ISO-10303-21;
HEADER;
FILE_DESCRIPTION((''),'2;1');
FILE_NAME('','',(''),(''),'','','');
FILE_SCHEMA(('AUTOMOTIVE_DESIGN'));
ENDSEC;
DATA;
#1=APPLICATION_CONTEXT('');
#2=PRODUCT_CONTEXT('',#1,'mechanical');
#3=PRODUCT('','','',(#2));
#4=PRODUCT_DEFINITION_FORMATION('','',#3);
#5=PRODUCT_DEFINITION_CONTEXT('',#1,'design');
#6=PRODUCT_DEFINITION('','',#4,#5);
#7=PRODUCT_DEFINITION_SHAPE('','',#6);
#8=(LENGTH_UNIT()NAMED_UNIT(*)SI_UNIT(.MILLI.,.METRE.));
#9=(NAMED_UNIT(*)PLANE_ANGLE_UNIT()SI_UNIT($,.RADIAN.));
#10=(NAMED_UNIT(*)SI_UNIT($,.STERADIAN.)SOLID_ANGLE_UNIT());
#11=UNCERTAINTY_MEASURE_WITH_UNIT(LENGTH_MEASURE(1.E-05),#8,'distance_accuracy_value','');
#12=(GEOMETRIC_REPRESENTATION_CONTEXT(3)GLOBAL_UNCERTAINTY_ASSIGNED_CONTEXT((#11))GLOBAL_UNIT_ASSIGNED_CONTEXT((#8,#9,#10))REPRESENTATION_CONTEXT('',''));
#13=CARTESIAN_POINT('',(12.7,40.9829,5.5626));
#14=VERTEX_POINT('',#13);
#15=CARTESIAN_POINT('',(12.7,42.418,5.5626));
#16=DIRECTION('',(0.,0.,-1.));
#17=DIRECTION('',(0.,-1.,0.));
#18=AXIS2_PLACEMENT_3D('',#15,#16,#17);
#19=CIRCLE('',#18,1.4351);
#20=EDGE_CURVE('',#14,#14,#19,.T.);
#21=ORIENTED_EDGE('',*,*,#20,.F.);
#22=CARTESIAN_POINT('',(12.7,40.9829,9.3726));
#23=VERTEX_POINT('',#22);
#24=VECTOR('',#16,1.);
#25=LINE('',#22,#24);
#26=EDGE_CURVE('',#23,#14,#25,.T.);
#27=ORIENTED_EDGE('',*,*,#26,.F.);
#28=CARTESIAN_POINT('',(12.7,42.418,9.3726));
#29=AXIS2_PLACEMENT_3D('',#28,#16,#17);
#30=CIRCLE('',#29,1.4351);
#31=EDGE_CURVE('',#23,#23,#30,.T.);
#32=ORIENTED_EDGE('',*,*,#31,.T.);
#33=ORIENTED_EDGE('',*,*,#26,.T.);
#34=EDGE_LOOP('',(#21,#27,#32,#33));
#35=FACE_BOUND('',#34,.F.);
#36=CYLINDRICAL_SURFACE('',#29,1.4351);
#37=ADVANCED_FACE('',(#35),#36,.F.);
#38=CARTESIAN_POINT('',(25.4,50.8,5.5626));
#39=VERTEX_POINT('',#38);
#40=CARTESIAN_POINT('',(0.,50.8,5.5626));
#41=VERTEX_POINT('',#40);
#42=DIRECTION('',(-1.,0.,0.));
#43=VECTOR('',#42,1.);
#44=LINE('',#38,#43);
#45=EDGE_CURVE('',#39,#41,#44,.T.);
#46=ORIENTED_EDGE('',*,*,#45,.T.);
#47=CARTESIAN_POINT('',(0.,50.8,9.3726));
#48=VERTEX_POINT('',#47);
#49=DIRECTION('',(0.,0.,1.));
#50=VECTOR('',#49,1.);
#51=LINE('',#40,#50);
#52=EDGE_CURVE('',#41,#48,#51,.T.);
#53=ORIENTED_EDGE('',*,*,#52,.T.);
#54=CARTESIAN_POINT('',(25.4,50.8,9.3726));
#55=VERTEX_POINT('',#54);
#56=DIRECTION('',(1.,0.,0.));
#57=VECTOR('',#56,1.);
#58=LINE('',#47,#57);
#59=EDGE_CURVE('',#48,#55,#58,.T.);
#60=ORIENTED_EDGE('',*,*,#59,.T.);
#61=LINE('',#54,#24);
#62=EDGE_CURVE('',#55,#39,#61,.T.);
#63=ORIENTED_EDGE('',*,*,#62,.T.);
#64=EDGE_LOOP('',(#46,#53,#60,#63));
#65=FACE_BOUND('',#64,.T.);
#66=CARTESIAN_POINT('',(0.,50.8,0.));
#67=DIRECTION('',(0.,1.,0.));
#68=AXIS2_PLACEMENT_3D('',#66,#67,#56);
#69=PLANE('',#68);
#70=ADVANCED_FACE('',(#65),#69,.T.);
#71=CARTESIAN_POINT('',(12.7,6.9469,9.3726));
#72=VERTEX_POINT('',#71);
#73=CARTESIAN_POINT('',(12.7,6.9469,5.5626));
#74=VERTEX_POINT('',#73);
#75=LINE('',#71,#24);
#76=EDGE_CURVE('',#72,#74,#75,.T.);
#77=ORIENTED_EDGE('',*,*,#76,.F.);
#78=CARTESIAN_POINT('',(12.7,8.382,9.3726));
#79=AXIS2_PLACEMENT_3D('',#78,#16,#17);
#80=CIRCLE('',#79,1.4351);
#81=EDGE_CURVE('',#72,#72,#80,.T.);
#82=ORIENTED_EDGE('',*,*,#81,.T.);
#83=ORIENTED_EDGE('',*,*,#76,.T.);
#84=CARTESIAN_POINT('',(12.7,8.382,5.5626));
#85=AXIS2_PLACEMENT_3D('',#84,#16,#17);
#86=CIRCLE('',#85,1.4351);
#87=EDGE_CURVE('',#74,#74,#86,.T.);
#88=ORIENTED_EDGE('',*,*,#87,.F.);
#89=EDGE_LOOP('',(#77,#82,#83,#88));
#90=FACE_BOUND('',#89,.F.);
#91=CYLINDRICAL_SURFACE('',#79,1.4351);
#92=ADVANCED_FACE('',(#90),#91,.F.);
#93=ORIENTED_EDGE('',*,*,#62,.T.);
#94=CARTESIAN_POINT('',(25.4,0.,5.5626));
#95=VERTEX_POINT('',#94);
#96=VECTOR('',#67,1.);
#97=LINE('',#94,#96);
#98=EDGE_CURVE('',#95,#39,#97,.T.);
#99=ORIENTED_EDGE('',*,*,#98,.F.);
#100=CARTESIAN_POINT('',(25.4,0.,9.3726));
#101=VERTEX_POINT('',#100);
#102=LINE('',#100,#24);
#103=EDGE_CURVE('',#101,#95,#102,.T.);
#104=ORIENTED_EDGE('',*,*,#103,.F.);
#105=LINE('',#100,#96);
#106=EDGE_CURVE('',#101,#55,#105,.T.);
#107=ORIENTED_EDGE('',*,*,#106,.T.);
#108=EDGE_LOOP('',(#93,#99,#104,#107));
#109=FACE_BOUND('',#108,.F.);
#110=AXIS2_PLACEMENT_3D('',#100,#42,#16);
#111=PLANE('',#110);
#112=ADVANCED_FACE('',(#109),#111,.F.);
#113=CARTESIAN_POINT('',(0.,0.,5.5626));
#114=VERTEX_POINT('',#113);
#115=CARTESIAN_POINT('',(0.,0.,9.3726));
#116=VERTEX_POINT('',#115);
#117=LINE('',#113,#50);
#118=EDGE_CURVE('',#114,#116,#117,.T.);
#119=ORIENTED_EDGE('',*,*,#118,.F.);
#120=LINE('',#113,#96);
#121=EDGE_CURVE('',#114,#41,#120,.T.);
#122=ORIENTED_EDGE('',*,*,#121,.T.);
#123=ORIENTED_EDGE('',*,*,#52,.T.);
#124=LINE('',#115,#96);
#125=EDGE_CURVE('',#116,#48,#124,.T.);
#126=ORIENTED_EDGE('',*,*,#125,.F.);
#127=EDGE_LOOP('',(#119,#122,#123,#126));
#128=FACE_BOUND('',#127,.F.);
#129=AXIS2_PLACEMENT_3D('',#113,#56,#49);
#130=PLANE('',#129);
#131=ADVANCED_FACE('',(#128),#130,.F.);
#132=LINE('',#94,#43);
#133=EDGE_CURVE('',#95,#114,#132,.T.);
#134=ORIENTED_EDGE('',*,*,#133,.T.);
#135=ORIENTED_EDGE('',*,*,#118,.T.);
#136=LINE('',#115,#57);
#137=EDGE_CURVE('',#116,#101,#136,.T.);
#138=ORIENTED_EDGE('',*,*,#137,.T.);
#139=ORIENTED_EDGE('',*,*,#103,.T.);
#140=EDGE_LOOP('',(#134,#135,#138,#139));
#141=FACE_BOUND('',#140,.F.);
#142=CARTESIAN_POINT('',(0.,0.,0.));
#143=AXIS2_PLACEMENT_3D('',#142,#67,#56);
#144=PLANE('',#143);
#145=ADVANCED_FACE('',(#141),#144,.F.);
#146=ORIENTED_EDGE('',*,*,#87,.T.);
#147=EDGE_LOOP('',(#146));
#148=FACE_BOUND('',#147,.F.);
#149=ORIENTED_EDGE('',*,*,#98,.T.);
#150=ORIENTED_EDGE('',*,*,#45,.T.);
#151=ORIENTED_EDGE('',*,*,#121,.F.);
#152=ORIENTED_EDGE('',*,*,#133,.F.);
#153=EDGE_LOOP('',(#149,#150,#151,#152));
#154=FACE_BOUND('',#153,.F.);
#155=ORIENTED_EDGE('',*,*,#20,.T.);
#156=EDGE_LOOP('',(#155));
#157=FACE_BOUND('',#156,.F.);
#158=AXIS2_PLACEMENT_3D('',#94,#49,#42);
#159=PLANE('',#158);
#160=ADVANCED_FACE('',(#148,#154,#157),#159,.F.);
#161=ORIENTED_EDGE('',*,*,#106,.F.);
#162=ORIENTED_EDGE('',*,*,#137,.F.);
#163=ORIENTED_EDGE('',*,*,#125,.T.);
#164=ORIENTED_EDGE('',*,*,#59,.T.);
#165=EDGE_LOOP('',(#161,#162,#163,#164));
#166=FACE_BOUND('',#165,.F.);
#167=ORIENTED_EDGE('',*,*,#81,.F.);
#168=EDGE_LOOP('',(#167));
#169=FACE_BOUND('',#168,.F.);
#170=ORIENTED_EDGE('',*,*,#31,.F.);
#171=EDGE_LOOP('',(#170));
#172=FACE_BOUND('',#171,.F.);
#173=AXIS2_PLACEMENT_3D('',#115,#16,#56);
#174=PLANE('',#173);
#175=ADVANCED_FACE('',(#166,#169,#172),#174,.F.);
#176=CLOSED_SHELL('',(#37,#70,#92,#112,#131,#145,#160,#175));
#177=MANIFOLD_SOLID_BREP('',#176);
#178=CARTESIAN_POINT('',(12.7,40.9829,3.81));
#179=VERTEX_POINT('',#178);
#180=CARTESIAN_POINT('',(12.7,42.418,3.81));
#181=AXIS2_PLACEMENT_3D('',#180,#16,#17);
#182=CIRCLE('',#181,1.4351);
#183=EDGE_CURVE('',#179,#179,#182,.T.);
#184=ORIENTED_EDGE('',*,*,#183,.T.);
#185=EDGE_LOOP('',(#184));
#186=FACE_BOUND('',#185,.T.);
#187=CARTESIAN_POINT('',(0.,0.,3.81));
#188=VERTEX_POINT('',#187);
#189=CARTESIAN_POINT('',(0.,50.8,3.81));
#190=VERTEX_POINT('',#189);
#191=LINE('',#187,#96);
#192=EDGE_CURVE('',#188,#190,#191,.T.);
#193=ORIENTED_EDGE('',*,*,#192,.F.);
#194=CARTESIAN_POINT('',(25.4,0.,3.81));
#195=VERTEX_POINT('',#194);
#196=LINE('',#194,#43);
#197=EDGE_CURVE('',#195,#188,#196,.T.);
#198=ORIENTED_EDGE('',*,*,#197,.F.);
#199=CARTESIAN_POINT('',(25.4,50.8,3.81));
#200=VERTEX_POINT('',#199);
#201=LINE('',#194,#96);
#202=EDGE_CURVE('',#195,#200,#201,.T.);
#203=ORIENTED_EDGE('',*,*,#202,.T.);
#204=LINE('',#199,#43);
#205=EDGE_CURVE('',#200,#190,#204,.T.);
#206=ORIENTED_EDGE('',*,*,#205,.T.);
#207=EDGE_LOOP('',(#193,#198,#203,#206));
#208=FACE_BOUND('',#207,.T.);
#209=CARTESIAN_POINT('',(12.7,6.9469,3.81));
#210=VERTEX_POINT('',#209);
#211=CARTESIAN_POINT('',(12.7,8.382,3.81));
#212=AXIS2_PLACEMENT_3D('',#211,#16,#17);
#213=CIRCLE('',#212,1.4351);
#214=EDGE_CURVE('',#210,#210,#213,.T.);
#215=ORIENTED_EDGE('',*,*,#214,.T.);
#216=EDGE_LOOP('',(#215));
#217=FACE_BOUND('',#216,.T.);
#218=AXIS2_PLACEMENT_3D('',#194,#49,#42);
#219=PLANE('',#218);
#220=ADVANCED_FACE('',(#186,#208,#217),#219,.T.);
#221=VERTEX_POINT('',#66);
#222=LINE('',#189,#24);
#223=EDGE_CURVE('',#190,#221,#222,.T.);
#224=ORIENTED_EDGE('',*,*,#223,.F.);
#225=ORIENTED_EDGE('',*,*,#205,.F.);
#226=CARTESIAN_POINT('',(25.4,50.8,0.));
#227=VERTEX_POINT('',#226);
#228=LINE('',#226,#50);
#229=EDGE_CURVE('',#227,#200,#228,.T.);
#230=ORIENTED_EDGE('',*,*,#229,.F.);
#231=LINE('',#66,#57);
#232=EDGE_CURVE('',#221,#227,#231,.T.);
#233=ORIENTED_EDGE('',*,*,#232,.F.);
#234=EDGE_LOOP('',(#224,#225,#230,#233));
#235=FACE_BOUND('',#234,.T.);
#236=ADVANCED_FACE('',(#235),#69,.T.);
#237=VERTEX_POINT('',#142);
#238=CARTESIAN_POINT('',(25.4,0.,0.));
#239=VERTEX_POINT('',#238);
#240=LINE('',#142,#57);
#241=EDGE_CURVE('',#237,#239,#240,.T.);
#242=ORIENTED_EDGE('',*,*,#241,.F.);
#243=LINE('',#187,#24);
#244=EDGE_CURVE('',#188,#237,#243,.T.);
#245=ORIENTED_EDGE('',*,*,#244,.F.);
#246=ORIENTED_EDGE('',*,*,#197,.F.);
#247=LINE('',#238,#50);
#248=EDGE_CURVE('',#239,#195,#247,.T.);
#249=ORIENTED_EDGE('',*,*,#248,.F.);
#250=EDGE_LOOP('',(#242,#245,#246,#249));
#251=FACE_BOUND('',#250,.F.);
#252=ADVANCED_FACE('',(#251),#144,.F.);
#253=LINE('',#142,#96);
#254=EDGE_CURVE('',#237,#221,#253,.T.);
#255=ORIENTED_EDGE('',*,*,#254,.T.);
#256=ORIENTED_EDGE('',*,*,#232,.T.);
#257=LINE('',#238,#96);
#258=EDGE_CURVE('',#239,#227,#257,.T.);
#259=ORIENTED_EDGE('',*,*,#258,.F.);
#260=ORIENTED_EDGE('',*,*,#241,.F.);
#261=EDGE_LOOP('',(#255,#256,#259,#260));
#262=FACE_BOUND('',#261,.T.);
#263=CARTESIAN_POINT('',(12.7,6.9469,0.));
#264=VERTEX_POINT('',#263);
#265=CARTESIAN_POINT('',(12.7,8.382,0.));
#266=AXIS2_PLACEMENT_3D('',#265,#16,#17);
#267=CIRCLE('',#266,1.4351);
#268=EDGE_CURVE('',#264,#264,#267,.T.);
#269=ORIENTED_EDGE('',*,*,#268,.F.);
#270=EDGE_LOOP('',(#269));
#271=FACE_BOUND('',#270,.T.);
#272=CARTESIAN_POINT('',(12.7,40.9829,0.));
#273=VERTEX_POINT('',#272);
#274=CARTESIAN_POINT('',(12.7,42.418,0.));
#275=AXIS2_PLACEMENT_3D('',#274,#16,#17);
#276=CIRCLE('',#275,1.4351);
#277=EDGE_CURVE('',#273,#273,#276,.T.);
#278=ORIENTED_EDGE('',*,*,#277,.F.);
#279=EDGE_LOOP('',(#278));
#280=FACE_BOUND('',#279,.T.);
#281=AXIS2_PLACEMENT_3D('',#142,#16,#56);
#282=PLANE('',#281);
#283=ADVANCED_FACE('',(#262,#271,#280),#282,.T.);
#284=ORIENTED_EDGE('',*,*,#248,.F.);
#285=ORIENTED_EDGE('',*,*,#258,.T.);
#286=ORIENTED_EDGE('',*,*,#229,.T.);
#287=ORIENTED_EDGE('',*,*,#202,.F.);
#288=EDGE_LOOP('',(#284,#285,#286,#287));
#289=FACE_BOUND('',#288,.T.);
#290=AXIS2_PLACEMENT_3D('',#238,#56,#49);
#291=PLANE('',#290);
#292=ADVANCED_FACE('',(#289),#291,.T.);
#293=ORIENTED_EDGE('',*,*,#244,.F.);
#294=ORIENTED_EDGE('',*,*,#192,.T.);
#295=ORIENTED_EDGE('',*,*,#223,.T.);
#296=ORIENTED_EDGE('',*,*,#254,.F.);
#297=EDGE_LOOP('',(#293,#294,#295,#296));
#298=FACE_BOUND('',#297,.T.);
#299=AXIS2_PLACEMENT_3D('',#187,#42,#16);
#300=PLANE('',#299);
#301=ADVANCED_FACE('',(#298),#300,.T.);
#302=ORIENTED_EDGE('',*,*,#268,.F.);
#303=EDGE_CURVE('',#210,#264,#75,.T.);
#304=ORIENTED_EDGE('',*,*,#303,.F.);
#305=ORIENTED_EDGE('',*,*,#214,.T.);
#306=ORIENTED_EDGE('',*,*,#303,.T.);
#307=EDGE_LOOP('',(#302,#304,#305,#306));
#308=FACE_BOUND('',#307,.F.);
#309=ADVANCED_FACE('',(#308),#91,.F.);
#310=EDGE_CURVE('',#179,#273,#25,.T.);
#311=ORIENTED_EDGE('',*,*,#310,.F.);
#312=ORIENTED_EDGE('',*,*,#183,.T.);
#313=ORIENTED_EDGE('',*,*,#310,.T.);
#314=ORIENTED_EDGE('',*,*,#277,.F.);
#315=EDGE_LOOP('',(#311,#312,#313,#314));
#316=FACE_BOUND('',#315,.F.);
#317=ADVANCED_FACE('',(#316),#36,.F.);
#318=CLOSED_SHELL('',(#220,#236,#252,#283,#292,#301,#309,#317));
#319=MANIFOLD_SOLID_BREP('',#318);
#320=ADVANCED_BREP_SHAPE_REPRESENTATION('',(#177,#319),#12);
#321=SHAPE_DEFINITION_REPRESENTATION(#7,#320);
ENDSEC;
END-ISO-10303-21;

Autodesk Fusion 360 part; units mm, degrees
sketch "Sketch1" plane through (0, 0, 0) normal (0, 1, 0) x (1, 0, 0)
  line L0 (0, 0) -> (25.4, 0)
  line L1 (25.4, 0) -> (25.4, -3.81)
  line L2 (25.4, -3.81) -> (0, -3.81)
  line L3 (0, -3.81) -> (0, 0)
  line L4 (0, -3.81) -> (25.4, -3.81) construction
  line L5 (25.4, -3.81) -> (25.4, -5.5626) construction
  line L6 (25.4, -5.5626) -> (0, -5.5626) construction
  line L7 (0, -5.5626) -> (0, -3.81) construction
  line L8 (25.4, -5.5626) -> (0, -5.5626)
  line L9 (0, -5.5626) -> (0, -9.3726)
  line L10 (0, -9.3726) -> (25.4, -9.3726)
  line L11 (25.4, -9.3726) -> (25.4, -5.5626)
  dimension "d1" = 25.4
  dimension "d2" = 3.81
  dimension "d3" = 25.4
  dimension "d4" = 1.7526
  dimension "d5" = 3.81
extrude "Extrude1" add sketch "Sketch1" along normal blind 50.8 makes body 1 at (8.4667, 33.8667, 9.3726) makes body 2 at (16.9333, 33.8667, 3.81)
sketch "Sketch2" plane through (0, 0, 9.3726) normal (0, 0, 1) x (-1, 0, 0)
  line L0 (0, 0) -> (-25.4, 0)
  line L1 (-25.4, 0) -> (-25.4, -50.8)
  line L2 (-25.4, -50.8) -> (0, -50.8)
  line L3 (0, -50.8) -> (0, 0)
  line L4 (-25.4, -50.8) -> (0, -50.8) construction
  line L5 (0, -50.8) -> (0, 0) construction
  line L6 (0, 0) -> (-25.4, 0) construction
  line L7 (-25.4, 0) -> (-25.4, -50.8) construction
  line L8 (-12.7, -50.8) -> (-12.7, 0)
  point P0 (-12.7, -25.4)
  point P1 (-12.7, -42.418)
  point P2 (-12.7, -8.382)
  dimension "d13" = 8.382
  dimension "d14" = 8.382
hole "Hole1" at (12.7, 42.418, 9.3726) at (12.7, 8.382, 9.3726) direction (0, 0, -1) diameter 2.8702 depth 10.16 tip angle 180 bodies 1 2
